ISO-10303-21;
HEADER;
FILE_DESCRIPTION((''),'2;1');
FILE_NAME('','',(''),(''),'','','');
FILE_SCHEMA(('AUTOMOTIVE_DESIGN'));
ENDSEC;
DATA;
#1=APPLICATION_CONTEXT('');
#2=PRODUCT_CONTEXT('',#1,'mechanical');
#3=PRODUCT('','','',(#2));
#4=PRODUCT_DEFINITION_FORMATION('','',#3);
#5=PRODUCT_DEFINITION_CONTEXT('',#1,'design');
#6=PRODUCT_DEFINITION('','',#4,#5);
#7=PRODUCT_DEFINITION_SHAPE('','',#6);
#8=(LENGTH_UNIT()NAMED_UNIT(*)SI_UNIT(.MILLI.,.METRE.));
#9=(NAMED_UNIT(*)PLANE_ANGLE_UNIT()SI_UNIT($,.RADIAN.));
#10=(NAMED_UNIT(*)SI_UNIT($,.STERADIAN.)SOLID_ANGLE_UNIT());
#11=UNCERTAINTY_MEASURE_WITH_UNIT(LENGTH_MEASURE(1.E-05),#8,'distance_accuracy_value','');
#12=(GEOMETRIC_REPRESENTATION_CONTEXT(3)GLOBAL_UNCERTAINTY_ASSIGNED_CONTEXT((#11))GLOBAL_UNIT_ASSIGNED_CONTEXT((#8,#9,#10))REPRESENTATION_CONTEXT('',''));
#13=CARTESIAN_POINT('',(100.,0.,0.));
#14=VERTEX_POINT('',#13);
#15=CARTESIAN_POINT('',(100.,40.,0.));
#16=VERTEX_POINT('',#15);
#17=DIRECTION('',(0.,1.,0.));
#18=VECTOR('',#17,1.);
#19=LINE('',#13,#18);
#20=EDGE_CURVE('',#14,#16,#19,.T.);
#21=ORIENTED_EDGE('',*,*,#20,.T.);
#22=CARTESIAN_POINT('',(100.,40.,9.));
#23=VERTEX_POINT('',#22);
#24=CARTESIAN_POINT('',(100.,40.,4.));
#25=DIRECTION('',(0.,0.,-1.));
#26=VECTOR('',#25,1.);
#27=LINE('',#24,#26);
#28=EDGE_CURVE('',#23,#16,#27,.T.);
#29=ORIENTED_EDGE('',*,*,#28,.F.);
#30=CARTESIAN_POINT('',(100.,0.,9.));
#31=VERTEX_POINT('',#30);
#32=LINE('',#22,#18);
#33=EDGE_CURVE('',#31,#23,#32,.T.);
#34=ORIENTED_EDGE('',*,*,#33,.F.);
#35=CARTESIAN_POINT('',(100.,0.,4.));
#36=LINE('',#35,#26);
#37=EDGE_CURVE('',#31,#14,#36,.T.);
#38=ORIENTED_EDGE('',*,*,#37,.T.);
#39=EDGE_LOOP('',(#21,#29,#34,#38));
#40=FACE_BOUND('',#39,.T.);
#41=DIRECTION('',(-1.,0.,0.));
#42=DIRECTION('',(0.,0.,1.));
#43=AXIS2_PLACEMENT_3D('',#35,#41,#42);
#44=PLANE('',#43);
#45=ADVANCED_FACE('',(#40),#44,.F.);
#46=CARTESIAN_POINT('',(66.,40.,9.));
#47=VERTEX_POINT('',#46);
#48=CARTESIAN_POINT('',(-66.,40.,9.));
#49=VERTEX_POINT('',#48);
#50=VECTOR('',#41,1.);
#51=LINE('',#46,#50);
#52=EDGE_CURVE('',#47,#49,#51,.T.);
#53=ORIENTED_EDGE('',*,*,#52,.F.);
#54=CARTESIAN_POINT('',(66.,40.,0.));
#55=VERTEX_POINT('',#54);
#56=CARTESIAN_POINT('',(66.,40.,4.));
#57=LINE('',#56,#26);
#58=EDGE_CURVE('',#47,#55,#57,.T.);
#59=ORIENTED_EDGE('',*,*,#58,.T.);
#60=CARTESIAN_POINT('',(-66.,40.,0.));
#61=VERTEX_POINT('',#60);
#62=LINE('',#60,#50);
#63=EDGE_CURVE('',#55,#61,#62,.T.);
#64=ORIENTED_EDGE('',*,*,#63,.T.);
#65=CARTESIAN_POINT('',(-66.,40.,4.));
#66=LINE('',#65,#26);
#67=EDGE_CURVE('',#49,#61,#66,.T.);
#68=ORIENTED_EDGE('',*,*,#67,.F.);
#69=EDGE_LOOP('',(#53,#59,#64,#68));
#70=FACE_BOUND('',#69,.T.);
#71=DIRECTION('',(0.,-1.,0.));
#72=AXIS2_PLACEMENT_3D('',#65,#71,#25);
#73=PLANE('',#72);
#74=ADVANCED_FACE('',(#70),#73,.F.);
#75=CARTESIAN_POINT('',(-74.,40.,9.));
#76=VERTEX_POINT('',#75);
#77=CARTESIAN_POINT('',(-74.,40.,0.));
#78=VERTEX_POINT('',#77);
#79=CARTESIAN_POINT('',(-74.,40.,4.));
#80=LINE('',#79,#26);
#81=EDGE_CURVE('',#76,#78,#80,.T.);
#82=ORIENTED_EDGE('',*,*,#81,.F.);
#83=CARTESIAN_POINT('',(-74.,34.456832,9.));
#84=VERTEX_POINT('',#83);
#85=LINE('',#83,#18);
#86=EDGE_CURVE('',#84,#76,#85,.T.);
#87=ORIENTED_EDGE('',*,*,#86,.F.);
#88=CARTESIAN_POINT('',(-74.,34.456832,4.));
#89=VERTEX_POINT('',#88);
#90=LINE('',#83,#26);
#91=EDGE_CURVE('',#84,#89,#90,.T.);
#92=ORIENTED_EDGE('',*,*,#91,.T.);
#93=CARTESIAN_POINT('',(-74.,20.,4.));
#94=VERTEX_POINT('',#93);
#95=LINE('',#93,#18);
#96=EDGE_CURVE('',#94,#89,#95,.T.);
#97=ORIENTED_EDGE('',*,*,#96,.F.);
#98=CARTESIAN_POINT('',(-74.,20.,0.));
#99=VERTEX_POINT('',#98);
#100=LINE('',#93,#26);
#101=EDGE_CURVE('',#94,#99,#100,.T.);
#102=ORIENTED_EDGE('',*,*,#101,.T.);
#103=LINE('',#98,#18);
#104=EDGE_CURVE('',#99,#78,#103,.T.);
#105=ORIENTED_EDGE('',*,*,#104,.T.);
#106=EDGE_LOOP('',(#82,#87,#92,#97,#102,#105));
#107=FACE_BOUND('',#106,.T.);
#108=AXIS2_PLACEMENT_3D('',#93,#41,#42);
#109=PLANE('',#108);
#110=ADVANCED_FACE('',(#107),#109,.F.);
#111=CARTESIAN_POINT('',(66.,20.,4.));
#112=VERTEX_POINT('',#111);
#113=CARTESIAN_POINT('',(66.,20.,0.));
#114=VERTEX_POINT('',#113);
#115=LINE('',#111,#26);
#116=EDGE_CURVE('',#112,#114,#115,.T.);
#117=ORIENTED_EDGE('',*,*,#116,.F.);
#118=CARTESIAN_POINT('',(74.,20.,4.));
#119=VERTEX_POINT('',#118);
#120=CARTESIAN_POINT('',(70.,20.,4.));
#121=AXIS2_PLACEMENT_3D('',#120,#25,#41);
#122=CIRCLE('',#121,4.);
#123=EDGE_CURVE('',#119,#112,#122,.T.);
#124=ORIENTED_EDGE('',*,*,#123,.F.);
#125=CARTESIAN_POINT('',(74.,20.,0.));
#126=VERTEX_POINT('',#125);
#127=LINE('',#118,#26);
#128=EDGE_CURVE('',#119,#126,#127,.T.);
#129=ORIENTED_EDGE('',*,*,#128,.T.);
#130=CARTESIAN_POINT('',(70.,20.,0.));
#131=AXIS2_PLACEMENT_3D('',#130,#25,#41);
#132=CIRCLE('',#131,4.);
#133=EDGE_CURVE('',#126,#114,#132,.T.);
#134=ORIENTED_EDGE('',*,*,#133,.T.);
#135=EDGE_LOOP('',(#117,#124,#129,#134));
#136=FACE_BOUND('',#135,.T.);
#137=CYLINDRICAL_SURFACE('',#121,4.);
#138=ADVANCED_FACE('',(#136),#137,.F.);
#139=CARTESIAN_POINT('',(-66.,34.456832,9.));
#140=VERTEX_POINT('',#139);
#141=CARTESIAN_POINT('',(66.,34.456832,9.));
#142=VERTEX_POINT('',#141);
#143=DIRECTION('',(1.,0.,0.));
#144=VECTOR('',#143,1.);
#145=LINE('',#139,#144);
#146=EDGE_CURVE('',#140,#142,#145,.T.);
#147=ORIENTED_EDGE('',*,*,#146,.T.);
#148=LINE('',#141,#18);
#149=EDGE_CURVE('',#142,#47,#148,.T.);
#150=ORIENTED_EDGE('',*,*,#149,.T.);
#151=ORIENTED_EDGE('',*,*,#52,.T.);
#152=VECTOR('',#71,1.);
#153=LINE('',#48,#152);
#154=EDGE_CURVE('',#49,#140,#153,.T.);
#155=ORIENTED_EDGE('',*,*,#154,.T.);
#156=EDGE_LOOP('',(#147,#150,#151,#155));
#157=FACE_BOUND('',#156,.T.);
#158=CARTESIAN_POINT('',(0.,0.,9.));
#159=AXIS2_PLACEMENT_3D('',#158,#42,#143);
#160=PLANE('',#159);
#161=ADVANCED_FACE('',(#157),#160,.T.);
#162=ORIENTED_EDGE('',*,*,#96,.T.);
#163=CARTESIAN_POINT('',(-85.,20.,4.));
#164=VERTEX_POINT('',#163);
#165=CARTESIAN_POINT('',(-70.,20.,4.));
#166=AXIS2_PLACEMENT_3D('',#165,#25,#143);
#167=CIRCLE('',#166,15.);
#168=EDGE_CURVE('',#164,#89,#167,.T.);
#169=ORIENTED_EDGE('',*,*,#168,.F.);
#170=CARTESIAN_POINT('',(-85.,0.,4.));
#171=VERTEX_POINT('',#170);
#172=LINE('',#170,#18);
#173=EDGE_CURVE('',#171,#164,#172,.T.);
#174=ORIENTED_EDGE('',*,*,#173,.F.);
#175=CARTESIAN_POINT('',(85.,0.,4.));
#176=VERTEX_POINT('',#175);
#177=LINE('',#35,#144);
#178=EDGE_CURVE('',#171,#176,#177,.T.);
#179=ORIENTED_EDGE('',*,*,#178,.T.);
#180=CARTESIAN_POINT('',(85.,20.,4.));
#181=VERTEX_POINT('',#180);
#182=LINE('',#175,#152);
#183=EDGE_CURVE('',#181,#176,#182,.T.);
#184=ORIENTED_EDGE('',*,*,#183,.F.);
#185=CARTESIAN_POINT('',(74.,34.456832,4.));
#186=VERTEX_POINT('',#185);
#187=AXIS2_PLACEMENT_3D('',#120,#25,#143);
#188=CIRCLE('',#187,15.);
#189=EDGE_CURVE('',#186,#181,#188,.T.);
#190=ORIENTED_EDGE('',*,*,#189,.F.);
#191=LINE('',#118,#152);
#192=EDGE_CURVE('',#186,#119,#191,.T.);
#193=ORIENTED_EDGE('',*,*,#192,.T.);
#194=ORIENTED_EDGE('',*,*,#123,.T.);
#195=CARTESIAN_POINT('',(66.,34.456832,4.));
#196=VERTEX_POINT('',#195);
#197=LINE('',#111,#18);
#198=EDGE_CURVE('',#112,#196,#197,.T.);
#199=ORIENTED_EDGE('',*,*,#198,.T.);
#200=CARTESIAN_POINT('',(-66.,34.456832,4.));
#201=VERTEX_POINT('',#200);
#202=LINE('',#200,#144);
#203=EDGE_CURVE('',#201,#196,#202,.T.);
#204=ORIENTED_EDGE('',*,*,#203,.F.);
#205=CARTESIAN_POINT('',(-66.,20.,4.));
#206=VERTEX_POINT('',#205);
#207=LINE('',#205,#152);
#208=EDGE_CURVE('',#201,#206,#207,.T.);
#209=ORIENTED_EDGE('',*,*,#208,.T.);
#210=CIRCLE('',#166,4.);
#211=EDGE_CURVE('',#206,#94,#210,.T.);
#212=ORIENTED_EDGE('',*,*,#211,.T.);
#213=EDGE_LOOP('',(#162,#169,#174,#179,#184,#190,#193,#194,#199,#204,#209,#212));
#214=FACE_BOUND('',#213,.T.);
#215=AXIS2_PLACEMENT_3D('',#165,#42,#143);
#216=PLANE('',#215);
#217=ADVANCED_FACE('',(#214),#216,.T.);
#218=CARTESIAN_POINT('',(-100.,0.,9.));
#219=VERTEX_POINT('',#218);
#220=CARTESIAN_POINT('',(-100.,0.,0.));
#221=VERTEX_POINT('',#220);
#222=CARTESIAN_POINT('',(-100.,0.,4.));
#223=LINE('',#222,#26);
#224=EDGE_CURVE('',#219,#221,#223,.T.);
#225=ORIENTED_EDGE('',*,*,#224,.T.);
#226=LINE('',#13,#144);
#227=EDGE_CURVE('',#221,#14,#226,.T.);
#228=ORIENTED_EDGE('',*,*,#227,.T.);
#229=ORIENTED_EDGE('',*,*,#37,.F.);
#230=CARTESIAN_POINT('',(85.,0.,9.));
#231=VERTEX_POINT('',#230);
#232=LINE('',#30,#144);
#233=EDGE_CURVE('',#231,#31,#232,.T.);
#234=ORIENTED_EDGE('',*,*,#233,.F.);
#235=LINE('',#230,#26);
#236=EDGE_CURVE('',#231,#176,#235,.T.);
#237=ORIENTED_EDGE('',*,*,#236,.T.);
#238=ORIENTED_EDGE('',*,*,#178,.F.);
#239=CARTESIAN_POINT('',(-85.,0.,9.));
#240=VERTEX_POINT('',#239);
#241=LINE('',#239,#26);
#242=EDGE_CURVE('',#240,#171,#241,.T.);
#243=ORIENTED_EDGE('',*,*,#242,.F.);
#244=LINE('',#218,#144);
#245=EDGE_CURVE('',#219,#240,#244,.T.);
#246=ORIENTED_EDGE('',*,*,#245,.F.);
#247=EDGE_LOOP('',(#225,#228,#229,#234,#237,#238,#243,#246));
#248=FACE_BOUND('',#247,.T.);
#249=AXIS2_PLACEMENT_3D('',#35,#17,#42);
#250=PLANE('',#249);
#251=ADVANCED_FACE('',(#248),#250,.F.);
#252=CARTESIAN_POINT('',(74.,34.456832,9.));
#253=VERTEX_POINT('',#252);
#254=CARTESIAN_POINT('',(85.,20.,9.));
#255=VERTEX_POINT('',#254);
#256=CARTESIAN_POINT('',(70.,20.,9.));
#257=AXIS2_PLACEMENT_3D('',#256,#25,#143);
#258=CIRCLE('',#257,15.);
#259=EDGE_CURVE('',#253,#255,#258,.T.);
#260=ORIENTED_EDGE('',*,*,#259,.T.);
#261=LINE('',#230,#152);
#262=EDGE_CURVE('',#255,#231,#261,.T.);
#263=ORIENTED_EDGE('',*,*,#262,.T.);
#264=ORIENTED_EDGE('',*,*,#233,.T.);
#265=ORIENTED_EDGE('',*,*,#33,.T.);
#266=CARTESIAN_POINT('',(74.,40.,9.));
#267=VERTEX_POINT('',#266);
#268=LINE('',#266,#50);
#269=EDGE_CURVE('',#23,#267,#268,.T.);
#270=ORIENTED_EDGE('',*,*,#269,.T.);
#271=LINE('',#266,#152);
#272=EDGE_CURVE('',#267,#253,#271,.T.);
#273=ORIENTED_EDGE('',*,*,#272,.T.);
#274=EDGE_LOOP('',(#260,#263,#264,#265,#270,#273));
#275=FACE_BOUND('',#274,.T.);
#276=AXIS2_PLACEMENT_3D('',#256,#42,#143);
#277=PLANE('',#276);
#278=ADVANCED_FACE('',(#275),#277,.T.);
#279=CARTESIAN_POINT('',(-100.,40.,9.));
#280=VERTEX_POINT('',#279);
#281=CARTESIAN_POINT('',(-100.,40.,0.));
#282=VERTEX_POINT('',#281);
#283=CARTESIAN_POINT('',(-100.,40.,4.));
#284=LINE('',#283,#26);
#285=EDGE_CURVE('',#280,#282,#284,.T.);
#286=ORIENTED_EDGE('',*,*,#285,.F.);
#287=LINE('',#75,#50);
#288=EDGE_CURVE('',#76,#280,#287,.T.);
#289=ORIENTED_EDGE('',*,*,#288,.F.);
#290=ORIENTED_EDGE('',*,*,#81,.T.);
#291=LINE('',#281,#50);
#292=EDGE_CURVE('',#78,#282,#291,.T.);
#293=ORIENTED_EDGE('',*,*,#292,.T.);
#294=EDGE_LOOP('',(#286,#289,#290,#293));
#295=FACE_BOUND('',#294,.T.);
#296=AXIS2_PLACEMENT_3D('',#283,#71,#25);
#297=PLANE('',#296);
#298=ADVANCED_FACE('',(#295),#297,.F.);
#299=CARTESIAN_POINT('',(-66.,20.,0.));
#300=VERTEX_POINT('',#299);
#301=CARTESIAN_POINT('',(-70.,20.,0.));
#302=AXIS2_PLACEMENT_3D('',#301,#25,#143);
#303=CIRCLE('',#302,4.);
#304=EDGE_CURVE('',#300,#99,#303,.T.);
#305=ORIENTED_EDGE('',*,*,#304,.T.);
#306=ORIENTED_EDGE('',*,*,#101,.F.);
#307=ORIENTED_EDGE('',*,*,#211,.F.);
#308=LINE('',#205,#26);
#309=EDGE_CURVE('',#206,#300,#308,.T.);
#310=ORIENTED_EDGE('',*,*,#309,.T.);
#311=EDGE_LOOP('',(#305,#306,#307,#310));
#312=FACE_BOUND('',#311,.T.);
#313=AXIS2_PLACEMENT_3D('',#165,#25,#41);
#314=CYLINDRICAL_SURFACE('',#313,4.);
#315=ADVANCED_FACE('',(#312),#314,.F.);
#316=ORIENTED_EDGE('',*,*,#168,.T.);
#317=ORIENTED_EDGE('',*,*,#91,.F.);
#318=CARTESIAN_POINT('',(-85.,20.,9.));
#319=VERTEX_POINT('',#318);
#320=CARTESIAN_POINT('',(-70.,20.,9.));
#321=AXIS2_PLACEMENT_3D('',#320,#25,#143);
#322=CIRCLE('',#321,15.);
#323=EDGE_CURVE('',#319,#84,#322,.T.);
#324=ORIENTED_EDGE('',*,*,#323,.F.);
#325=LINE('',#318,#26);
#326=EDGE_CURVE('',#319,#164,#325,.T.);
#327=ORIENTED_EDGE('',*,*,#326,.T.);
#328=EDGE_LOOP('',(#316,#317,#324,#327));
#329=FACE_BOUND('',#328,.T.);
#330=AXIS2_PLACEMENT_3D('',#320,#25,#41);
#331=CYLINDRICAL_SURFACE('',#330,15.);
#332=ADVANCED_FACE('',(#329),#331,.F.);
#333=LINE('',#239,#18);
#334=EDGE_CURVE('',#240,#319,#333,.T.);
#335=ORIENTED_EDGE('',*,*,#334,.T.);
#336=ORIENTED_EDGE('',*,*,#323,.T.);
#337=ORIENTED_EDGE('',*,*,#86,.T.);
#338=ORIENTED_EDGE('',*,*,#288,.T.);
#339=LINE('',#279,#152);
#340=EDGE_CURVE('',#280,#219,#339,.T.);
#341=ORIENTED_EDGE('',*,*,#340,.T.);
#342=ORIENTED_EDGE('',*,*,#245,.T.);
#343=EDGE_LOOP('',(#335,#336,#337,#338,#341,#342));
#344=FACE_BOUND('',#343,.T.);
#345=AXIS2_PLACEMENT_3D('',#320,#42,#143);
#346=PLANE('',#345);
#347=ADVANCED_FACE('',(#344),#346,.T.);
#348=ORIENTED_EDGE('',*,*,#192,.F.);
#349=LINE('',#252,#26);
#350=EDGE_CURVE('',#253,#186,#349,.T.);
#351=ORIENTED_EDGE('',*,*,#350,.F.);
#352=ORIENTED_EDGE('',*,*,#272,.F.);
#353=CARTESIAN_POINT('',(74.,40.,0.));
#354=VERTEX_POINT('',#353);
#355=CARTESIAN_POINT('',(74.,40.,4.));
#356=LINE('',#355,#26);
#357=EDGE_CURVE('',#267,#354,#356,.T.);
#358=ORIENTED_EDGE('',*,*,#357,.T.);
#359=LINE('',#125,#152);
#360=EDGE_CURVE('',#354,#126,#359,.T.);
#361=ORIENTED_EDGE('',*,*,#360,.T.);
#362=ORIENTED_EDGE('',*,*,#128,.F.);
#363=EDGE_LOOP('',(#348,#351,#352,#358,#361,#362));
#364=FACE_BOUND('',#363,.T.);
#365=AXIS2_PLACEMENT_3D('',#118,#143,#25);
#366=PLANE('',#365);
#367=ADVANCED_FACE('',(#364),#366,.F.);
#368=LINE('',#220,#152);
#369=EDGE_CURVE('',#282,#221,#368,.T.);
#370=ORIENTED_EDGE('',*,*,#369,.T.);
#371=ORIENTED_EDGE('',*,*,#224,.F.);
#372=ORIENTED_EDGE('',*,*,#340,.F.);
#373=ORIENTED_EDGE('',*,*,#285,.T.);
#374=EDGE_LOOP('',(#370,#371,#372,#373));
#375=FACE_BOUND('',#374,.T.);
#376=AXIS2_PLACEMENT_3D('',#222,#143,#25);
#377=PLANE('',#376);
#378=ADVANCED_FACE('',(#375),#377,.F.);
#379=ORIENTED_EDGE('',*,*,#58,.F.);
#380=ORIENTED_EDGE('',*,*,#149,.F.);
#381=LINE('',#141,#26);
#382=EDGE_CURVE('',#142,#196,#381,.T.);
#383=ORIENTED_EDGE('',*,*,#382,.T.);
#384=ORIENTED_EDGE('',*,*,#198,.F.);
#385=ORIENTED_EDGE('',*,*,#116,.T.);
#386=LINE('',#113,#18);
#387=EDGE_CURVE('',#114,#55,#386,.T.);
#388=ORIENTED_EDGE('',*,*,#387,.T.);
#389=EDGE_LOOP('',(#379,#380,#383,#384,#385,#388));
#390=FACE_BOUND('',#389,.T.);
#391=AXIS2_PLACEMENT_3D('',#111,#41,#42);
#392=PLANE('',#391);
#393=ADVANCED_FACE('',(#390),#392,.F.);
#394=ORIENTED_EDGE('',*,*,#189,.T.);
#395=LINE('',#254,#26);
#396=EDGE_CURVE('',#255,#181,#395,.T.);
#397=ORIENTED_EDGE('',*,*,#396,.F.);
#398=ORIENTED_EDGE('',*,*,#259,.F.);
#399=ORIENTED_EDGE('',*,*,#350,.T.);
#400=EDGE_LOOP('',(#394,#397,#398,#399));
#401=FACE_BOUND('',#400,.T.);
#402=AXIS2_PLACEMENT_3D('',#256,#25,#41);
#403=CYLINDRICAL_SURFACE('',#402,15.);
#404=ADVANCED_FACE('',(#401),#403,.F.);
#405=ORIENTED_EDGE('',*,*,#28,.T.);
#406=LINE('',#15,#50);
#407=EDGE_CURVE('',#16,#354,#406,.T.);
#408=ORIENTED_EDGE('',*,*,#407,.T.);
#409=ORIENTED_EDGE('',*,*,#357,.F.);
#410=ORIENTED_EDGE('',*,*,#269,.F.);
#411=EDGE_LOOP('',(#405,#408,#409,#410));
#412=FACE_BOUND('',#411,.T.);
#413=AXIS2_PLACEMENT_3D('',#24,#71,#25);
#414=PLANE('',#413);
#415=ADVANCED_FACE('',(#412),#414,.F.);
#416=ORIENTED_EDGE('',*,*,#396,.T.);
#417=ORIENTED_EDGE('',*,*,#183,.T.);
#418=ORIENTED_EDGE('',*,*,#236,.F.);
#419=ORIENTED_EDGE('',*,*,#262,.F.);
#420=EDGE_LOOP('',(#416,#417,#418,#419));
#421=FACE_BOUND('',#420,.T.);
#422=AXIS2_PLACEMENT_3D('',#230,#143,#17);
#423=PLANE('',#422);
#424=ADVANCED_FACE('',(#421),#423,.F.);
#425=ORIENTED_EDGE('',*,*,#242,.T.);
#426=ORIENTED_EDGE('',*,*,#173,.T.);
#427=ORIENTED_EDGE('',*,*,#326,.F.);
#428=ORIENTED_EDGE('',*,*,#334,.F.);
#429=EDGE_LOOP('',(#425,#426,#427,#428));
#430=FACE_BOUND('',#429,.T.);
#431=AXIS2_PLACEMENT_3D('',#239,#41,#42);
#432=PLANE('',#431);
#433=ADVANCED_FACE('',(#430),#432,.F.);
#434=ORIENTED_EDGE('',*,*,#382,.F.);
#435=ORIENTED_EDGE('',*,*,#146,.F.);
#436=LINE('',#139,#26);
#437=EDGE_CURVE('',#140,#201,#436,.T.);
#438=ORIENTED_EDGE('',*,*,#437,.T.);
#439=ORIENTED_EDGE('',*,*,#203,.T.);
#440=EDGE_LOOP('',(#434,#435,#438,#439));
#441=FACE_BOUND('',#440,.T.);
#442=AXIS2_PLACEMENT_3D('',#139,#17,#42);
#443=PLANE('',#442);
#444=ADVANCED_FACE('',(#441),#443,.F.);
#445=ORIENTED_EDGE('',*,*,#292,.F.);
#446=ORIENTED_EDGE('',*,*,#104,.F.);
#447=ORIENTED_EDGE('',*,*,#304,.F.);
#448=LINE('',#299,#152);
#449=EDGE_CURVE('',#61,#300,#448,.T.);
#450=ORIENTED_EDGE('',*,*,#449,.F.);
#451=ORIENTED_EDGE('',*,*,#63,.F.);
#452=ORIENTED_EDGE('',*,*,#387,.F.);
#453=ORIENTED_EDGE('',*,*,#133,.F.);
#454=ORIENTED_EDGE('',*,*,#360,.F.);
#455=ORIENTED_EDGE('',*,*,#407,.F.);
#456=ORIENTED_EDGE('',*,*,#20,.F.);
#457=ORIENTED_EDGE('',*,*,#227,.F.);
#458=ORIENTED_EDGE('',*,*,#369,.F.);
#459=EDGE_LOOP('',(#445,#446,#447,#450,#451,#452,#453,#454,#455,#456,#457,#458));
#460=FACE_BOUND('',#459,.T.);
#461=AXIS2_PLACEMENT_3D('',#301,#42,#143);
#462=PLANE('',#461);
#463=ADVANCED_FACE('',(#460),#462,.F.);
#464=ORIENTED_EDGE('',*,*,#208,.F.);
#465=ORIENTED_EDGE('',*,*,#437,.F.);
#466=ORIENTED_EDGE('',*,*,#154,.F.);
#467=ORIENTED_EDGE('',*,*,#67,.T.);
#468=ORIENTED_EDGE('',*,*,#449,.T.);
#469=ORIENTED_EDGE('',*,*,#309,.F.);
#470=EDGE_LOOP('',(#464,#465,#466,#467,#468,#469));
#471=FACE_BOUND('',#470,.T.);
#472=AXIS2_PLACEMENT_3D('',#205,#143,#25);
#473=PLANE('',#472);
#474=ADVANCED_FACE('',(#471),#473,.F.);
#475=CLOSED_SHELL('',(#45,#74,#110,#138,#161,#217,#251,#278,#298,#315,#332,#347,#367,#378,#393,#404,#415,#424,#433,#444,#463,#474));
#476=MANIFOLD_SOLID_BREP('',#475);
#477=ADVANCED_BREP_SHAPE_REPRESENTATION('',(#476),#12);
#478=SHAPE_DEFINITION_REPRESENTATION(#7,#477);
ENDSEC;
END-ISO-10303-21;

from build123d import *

# Parameters (mm, degrees)
EXTRUDE_1_DEPTH = 4
SKETCH_2_W      = 132
SKETCH_2_H      = 5.543167705
EXTRUDE_2_DEPTH = 5


with BuildPart() as part:
    # 스케치1 → 보스-돌출1 (new body)
    with BuildSketch(Plane.XY):
        with BuildLine():
            Line((100, 0), (-100, 0))
            Line((-100, 0), (-100, 40))
            Line((-100, 40), (-74, 40))
            Line((-74, 40), (-74, 20))
            ThreePointArc((-74, 20), (-70, 16), (-66, 20))
            Line((-66, 20), (-66, 40))
            Line((-66, 40), (66, 40))
            Line((66, 40), (66, 20))
            ThreePointArc((66, 20), (70, 16), (74, 20))
            Line((74, 20), (74, 40))
            Line((74, 40), (100, 40))
            Line((100, 40), (100, 0))
        make_face()
    extrude(amount=EXTRUDE_1_DEPTH)

    # 스케치2 → 보스-돌출2 (add)
    with BuildSketch(Plane.XY.offset(4)):
        with BuildLine():
            Line((-74, 34.456832295), (-74, 40))
            Line((-74, 40), (-100, 40))
            Line((-100, 40), (-100, 0))
            Line((-100, 0), (-85, 0))
            Line((-85, 0), (-85, 20))
            ThreePointArc((-85, 20), (-81.937336386, 29.082951062), (-74, 34.456832295))
        make_face()
        with Locations((0, 37.228416147)):
            Rectangle(SKETCH_2_W, SKETCH_2_H)
        with BuildLine():
            Line((74, 40), (74, 34.456832295))
            ThreePointArc((74, 34.456832295), (81.937336386, 29.082951062), (85, 20))
            Line((85, 20), (85, 0))
            Line((85, 0), (100, 0))
            Line((100, 0), (100, 40))
            Line((100, 40), (74, 40))
        make_face()
    extrude(amount=EXTRUDE_2_DEPTH)


solid = part.part
